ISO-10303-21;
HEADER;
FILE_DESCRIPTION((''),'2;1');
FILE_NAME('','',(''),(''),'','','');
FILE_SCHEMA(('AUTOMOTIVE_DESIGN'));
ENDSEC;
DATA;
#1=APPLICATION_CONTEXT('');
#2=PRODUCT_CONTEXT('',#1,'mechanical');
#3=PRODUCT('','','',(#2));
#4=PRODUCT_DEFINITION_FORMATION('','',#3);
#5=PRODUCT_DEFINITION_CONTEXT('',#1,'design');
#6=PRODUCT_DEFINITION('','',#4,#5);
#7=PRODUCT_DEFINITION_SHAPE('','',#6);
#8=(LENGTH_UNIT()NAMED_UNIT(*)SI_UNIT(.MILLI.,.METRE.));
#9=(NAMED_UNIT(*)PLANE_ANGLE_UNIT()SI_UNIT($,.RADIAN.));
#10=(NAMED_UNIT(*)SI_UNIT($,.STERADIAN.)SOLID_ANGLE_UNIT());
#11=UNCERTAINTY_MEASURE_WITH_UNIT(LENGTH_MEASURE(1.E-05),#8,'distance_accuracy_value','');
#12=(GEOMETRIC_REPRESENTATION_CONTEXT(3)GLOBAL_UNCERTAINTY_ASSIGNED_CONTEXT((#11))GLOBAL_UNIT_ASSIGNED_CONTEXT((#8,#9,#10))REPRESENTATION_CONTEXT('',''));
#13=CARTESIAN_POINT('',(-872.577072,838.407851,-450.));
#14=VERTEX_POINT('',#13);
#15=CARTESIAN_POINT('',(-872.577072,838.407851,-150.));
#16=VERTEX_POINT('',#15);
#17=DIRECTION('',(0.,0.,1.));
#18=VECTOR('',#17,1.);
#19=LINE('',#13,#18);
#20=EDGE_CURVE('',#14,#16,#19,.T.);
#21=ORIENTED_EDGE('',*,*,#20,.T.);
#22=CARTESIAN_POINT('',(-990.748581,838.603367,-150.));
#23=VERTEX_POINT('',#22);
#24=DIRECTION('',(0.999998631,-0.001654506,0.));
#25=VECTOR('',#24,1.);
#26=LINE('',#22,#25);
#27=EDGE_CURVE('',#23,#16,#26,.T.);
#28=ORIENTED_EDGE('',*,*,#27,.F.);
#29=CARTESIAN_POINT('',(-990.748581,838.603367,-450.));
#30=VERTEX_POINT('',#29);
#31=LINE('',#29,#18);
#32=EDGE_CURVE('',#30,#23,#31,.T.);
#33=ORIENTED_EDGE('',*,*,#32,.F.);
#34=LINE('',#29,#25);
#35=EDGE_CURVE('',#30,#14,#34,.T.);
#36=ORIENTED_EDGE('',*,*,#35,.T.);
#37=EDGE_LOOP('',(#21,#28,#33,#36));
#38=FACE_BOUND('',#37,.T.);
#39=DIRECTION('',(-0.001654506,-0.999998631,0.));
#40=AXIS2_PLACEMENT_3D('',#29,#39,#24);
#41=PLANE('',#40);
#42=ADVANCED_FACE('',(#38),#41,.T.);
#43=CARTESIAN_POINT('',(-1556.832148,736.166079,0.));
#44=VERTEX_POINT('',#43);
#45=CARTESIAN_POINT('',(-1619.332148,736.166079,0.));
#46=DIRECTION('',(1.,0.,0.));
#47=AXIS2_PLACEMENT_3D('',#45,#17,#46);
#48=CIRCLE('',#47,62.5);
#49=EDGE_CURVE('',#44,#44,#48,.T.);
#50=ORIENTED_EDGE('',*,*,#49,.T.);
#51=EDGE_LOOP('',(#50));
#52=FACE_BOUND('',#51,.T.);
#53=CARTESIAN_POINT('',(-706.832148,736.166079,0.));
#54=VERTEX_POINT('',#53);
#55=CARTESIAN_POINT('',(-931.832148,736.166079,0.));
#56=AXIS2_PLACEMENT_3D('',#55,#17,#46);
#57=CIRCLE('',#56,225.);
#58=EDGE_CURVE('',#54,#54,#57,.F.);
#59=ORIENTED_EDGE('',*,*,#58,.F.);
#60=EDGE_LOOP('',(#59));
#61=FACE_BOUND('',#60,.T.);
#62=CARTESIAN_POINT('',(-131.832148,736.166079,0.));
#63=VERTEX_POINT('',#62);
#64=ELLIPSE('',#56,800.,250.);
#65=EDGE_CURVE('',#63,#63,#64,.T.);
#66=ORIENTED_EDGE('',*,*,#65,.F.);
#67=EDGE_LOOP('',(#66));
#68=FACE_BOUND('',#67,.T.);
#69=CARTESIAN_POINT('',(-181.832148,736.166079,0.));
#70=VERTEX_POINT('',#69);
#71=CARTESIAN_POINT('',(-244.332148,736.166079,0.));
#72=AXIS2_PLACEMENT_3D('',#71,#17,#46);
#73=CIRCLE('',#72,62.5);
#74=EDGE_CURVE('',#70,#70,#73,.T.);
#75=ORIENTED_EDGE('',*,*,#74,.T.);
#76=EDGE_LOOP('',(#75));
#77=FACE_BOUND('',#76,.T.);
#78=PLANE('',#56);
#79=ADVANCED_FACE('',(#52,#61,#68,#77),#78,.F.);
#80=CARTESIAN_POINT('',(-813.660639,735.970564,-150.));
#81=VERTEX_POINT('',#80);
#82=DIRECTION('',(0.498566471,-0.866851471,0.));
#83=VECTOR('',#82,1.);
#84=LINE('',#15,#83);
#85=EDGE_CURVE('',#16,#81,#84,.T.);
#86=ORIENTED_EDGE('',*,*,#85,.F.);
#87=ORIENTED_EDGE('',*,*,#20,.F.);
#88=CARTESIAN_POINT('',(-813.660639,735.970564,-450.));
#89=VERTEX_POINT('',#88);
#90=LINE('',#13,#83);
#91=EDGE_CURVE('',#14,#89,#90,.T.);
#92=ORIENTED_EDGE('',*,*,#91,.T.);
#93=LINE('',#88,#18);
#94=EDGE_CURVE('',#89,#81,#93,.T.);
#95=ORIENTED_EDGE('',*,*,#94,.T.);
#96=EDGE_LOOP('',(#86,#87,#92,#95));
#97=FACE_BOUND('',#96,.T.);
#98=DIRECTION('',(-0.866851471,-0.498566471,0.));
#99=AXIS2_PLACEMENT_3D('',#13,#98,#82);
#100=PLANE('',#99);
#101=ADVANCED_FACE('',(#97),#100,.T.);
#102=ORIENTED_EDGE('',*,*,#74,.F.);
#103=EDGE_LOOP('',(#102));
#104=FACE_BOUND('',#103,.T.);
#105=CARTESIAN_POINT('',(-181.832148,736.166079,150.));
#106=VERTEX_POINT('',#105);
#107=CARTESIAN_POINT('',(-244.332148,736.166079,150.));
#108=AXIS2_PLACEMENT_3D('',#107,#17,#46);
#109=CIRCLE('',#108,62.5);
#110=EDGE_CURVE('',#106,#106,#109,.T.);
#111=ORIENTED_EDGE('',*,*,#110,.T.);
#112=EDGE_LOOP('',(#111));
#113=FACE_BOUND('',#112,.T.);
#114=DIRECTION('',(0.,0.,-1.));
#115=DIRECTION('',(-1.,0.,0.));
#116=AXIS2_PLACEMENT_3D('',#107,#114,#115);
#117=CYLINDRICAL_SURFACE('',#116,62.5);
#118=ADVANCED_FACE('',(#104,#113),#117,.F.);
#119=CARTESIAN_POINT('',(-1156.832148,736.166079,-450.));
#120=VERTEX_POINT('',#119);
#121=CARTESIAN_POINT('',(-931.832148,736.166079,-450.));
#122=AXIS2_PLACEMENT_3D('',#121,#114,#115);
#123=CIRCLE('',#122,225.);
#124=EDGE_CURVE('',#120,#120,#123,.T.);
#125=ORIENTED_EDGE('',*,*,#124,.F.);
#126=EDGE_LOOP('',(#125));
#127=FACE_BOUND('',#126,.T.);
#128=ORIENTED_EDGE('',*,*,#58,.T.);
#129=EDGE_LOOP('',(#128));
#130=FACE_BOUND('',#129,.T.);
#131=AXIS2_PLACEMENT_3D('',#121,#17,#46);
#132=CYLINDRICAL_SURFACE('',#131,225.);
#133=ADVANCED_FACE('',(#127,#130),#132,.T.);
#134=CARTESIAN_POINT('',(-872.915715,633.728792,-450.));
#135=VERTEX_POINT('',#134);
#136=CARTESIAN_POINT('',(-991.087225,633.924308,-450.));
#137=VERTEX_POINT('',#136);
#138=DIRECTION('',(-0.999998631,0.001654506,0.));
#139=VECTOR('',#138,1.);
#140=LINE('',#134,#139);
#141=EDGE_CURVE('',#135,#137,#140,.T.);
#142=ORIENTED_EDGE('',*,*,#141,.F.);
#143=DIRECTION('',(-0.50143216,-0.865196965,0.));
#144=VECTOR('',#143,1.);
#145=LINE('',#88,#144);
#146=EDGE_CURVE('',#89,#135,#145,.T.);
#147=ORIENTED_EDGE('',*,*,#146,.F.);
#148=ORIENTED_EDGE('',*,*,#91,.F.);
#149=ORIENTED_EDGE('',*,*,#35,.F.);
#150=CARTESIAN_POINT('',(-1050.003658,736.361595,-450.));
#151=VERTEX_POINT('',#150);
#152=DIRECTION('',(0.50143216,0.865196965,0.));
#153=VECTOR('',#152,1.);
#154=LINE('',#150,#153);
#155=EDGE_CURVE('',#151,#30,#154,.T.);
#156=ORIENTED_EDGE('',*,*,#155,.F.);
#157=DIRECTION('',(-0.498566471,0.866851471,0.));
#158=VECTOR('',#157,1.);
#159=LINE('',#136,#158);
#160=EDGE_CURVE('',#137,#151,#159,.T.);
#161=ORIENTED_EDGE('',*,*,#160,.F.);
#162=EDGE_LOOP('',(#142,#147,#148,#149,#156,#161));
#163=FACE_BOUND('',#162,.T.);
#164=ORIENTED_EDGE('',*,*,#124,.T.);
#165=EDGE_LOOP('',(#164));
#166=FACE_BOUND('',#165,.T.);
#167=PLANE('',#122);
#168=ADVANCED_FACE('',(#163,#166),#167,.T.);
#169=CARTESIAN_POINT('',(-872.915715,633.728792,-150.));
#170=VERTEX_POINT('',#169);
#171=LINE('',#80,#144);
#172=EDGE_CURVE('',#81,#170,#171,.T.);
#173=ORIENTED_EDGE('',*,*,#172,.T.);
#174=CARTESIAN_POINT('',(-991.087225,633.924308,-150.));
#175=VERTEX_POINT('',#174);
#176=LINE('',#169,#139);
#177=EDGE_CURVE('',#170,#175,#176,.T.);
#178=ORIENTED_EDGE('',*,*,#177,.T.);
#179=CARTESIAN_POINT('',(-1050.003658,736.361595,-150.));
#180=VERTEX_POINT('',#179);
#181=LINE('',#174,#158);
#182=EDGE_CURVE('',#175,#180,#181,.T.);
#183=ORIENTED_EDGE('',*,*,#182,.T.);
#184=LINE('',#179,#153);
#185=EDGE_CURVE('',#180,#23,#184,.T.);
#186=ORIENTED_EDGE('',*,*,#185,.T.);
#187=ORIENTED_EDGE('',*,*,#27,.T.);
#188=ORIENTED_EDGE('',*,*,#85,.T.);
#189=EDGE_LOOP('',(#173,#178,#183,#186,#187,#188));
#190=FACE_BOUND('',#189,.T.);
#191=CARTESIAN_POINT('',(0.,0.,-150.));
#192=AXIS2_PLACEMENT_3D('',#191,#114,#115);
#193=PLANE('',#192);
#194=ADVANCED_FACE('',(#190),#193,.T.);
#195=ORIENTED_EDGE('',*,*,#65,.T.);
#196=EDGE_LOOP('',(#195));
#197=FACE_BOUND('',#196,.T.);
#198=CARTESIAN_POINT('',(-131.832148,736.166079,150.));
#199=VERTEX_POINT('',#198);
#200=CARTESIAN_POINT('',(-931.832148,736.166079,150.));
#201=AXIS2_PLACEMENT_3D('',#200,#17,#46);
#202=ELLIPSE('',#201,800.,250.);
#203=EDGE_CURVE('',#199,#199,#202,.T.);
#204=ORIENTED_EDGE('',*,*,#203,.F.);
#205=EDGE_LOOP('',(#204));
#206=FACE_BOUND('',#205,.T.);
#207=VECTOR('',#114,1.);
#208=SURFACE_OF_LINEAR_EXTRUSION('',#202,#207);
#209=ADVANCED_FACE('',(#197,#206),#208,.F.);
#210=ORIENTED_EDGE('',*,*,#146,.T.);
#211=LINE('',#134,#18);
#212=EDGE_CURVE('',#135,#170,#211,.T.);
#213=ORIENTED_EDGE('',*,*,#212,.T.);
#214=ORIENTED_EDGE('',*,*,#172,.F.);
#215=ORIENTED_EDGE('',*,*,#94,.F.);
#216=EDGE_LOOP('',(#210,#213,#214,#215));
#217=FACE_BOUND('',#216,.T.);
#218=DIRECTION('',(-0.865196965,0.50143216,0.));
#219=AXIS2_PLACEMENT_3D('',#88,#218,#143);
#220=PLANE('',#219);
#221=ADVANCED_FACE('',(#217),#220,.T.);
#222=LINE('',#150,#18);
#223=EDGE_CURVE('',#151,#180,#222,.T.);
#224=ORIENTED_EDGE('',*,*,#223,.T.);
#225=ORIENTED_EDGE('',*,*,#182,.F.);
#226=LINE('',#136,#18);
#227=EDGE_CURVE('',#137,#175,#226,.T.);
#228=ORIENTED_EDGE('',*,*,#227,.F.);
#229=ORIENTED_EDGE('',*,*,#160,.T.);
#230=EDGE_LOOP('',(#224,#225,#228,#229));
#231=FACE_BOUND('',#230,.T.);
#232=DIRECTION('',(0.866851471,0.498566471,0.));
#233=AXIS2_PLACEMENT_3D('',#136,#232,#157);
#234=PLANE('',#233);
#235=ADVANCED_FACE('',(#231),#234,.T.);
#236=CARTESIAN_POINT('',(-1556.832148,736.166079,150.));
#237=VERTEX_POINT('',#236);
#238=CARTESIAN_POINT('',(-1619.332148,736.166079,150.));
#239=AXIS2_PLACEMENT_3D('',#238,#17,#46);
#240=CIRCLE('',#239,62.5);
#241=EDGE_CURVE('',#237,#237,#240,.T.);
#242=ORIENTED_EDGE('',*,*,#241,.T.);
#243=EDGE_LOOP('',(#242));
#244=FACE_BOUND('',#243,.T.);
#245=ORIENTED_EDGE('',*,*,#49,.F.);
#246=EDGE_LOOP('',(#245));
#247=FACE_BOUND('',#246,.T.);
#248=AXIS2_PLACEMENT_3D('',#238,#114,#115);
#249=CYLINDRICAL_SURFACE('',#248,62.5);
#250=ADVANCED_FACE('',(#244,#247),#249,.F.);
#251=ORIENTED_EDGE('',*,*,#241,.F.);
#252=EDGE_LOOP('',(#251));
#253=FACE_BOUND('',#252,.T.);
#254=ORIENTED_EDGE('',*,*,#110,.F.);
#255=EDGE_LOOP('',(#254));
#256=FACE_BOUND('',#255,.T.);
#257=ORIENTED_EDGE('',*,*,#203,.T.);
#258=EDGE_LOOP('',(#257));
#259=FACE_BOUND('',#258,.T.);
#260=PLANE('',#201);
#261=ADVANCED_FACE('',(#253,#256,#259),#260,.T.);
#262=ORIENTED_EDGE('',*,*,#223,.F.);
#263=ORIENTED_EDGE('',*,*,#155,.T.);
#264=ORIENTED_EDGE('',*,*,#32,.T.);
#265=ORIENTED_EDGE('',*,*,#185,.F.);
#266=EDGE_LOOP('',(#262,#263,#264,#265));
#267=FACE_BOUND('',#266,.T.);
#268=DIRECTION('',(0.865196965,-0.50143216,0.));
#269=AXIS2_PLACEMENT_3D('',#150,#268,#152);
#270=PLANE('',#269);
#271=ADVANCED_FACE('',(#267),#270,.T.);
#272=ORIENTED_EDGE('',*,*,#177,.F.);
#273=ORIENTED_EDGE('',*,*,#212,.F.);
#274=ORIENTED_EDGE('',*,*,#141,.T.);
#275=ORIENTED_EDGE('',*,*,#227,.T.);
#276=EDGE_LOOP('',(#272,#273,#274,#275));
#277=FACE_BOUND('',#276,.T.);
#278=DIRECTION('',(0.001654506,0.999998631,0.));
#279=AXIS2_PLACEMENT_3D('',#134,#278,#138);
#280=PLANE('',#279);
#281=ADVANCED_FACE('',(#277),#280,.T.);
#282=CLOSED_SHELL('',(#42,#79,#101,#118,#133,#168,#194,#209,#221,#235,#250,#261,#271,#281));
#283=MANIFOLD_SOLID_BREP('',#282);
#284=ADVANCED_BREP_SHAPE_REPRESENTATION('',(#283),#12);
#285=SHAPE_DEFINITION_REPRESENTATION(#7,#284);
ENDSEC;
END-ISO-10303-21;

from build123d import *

# Parameters (mm, degrees)
SKETCH1_RX           = 800
SKETCH1_RY           = 250
SKETCH1_R            = 62.5
BOSS_EXTRUDE1_DEPTH  = 150
BOSS_EXTRUDE9_DEPTH  = 150
SKETCH17_R           = 225
BOSS_EXTRUDE13_DEPTH = 450


with BuildPart() as part:
    # Sketch1 → Boss-Extrude1 (new body)
    with BuildSketch(Plane.XY):
        with Locations((-931.832148188, 736.166079396)):
            Ellipse(SKETCH1_RX, SKETCH1_RY)
        with Locations((-1619.332148188, 736.166079396)):
            Circle(SKETCH1_R, mode=Mode.SUBTRACT)
        with Locations((-244.332148188, 736.166079396)):
            Circle(SKETCH1_R, mode=Mode.SUBTRACT)
    extrude(amount=BOSS_EXTRUDE1_DEPTH)

    # Sketch12 → Boss-Extrude9 (add)
    with BuildSketch(Plane(origin=(0, 0, 0), x_dir=(-1, 0, 0), z_dir=(0, 0, -1))):
        Polygon((991.0872246, 633.924307933), (1050.003657809, 736.361595141), (990.748581397, 838.603366603), (872.577071776, 838.407850859), (813.660638567, 735.970563652), (872.915714979, 633.728792189), align=None)
    extrude(amount=BOSS_EXTRUDE9_DEPTH)

    # Sketch17 → Boss-Extrude13 (add)
    with BuildSketch(Plane(origin=(0, 0, 0), x_dir=(-1, 0, 0), z_dir=(0, 0, -1))):
        with Locations(Location((931.832148188, 736.166079396, 0), (0, 0, 180))):
            Circle(SKETCH17_R)
        Polygon((991.0872246, 633.924307933), (1050.003657809, 736.361595141), (990.748581397, 838.603366603), (872.577071776, 838.407850859), (813.660638567, 735.970563652), (872.915714979, 633.728792189), align=None, mode=Mode.SUBTRACT)
    extrude(amount=BOSS_EXTRUDE13_DEPTH)


solid = part.part
